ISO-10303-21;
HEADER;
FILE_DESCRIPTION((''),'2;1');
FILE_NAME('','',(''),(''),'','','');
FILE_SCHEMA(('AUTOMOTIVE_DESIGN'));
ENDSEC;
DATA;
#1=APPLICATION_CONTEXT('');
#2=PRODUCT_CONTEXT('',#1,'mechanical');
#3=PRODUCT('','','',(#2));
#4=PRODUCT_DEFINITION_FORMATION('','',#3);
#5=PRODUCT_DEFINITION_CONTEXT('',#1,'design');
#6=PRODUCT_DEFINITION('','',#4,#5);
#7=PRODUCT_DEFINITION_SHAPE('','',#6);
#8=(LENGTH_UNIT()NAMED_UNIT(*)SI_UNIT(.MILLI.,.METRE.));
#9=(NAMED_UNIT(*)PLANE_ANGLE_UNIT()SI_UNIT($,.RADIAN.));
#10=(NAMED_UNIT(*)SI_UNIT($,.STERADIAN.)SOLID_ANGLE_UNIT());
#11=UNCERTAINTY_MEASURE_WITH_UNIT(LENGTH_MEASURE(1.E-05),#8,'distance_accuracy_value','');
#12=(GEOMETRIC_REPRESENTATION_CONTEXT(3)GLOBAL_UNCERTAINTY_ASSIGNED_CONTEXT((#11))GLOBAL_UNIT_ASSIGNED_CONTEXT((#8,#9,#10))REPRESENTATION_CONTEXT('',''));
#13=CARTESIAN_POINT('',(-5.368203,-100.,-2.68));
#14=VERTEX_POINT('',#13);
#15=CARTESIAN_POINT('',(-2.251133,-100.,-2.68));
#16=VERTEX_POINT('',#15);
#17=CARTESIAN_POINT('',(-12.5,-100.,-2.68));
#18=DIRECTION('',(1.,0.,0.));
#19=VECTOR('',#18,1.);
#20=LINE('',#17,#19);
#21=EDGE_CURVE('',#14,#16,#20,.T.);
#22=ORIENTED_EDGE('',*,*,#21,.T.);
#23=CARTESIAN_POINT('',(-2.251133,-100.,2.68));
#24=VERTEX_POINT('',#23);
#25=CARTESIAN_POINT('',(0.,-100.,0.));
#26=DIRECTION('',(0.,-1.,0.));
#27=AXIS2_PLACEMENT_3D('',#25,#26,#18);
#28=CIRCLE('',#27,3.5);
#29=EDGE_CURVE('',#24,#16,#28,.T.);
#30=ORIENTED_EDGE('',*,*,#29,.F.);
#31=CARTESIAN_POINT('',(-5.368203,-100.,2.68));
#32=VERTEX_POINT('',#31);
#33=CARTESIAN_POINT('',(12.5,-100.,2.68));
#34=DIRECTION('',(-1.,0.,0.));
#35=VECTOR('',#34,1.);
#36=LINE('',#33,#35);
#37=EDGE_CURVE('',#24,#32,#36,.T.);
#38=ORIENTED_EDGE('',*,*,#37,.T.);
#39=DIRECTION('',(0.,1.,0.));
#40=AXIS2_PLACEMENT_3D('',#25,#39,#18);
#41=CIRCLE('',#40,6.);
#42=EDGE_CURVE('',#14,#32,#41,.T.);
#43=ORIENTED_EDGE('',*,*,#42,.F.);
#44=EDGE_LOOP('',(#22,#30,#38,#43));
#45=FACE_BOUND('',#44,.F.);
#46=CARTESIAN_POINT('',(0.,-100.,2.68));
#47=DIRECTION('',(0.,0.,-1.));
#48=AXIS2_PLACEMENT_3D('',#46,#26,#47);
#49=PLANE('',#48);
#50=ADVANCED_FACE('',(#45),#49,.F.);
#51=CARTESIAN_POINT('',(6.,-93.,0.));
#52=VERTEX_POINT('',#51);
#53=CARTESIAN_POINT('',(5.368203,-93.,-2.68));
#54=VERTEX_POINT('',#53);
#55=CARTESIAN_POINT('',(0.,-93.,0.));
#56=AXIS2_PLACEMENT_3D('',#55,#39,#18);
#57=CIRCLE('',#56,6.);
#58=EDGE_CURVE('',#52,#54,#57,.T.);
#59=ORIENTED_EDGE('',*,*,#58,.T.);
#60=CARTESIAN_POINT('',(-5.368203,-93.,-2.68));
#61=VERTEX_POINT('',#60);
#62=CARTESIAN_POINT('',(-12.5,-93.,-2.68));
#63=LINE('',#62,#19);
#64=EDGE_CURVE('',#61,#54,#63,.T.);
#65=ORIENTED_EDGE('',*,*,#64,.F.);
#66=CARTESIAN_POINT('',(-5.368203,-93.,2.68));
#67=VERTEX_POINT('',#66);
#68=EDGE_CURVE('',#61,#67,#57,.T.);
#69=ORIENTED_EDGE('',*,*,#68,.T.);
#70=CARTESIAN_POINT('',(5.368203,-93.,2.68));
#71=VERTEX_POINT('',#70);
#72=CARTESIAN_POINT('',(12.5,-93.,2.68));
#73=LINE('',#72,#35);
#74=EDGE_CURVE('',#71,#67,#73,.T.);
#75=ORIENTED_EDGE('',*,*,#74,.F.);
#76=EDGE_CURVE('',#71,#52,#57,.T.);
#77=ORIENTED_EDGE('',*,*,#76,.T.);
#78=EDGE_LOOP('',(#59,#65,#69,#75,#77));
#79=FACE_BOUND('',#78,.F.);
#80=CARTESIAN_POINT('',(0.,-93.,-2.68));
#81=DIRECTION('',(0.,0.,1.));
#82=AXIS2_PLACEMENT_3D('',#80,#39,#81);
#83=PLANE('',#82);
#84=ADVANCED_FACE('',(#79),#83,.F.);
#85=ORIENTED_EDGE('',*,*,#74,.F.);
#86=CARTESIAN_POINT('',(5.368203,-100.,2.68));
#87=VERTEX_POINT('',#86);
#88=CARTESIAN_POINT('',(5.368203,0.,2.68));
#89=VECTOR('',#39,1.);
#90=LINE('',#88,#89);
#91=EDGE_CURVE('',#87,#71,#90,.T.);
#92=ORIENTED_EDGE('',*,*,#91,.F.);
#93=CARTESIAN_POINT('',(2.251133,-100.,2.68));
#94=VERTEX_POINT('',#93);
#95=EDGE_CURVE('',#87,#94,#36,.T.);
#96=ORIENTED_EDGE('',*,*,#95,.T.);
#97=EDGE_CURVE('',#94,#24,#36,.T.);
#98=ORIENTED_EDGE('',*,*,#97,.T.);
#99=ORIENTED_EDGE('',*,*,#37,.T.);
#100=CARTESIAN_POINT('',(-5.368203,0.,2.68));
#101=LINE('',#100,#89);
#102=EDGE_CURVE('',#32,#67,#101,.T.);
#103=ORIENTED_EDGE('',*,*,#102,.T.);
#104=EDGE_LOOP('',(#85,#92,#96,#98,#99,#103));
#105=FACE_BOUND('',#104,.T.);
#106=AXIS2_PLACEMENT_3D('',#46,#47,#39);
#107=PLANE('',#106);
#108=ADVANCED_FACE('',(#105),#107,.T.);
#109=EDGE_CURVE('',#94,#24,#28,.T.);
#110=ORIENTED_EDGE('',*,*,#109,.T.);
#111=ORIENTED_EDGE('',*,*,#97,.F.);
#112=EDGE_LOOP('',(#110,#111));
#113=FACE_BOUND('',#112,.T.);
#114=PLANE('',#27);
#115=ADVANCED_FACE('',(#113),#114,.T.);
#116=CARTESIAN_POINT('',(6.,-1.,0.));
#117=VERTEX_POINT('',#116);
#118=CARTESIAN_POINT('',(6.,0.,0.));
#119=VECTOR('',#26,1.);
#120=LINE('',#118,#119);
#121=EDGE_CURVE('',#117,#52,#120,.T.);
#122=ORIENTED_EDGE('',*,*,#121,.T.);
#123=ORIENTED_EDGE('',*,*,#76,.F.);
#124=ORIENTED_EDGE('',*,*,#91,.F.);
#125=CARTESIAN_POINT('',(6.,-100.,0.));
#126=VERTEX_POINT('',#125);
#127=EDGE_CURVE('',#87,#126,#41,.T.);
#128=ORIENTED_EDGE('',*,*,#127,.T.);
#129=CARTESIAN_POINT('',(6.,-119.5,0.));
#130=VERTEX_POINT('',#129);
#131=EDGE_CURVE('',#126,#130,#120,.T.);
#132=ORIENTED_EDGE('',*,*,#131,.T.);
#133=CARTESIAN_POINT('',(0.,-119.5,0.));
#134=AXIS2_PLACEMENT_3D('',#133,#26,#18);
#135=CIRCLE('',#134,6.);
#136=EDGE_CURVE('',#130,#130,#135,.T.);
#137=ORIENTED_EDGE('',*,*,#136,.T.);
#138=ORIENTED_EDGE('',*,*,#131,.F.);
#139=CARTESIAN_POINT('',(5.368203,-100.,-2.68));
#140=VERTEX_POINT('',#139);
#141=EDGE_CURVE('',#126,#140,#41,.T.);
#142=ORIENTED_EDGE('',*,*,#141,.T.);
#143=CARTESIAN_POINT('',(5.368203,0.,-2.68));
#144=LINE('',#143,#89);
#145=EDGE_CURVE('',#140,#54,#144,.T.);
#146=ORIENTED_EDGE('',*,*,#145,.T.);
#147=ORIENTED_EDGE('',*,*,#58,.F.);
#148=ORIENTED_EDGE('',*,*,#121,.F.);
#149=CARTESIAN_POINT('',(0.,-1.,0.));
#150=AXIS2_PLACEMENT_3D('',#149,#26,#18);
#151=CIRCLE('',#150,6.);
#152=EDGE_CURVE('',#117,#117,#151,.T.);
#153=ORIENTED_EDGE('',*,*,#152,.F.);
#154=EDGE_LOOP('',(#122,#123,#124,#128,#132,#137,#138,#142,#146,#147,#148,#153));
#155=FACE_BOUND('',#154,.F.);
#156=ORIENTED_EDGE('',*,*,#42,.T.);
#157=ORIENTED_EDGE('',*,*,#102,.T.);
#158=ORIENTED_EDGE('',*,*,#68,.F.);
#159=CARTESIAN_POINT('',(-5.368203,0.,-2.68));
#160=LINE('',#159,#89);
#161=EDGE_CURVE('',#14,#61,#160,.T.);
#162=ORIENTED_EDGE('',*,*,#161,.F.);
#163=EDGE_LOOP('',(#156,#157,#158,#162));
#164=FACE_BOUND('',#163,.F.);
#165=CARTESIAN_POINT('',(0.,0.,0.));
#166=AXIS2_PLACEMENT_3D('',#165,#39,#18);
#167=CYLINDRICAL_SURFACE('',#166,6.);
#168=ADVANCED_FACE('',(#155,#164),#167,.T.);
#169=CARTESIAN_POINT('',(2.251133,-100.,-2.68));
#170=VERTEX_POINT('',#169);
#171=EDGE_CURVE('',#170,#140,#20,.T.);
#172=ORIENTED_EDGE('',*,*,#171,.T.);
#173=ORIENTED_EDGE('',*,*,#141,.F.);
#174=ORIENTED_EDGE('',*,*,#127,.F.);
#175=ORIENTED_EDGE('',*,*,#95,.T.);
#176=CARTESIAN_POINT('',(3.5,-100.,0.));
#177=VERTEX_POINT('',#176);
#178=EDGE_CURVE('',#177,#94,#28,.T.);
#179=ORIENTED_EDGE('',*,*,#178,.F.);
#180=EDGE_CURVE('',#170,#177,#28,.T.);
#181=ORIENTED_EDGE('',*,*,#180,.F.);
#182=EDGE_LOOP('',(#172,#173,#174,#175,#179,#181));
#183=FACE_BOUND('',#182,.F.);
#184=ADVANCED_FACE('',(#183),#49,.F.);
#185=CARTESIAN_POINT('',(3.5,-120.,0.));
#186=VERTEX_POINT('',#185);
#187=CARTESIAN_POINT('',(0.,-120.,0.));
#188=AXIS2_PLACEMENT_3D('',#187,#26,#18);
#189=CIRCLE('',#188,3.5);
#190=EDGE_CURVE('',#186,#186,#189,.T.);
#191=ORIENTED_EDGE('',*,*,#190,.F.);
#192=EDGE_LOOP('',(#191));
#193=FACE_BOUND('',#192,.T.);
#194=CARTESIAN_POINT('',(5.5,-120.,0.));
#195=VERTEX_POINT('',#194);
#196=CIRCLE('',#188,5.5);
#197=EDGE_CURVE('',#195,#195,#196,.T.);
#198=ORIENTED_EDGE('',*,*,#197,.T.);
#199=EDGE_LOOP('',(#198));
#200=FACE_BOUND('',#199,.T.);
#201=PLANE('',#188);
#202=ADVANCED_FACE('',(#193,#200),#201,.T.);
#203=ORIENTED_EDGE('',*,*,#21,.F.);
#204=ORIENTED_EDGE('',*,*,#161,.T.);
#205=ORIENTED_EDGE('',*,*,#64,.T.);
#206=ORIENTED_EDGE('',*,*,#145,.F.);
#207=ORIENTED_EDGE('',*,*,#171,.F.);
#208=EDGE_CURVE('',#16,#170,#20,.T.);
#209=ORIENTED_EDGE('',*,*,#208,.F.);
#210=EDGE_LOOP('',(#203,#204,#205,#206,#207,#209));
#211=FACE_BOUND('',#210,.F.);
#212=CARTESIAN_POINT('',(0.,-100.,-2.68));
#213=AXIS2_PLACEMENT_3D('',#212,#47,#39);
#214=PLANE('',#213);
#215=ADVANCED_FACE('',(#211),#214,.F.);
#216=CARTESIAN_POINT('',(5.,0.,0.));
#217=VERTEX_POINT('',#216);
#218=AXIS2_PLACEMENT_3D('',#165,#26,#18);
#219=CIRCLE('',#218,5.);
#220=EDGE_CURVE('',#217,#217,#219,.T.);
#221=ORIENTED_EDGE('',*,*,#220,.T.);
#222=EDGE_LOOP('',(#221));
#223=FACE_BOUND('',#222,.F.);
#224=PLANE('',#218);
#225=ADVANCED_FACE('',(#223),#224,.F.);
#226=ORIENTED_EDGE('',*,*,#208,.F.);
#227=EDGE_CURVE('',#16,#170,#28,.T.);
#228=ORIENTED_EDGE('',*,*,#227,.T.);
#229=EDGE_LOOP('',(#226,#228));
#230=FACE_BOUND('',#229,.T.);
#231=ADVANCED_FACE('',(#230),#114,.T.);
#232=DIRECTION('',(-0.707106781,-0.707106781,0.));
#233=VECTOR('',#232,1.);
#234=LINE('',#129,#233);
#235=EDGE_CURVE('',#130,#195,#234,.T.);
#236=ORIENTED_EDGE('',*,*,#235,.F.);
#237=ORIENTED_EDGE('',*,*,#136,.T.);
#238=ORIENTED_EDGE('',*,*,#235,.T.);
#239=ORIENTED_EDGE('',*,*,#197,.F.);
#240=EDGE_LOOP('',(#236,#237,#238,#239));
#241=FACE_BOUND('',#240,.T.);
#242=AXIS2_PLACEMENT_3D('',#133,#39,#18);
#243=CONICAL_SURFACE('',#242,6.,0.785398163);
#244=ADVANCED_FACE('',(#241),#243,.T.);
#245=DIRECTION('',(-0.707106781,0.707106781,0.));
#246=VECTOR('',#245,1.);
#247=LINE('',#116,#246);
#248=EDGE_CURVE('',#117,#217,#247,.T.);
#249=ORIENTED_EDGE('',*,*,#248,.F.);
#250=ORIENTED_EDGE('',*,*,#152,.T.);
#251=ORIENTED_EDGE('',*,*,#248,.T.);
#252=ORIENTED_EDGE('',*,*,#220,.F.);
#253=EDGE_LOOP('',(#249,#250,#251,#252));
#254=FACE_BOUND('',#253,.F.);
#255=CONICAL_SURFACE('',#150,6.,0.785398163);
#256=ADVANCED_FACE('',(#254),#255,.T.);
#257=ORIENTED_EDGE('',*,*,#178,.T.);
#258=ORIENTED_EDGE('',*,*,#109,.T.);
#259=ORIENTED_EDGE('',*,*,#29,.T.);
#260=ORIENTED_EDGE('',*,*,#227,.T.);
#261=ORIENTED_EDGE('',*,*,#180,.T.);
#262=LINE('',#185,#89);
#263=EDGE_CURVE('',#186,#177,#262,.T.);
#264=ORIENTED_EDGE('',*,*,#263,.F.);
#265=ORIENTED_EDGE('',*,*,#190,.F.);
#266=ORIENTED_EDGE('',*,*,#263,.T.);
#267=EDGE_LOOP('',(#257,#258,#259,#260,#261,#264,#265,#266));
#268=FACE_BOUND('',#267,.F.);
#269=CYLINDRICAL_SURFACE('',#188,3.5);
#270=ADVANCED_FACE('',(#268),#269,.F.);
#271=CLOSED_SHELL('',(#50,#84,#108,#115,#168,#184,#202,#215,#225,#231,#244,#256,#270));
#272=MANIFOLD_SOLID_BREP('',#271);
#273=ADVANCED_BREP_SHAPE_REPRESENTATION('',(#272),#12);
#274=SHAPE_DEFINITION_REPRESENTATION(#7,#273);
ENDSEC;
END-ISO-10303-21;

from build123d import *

# Parameters (mm, degrees)
F0_R     = 6
F1_DEPTH = 120
F2_R     = 3.5
F3_DEPTH = 20
F5_SIZE  = 1
F6_SIZE  = 0.5
F7_W     = 7
F7_H     = 2.68
F8_DEPTH = 12.5


with BuildPart() as f1:
    # F0 (on Front) → F1 (new body)
    with BuildSketch(Plane.XZ):
        Circle(F0_R)
    extrude(amount=F1_DEPTH)

    # F2 (on face) → F3 (cut)
    with BuildSketch(Plane.XZ.offset(120)):
        Circle(F2_R)
    extrude(amount=-F3_DEPTH, mode=Mode.SUBTRACT)

    # F5
    f5_edges = [f1.edges().sort_by_distance(p)[0] for p in [
        (-6, 0, 0),
    ]]
    chamfer(f5_edges, length=F5_SIZE)

    # F6
    f6_edges = [f1.edges().sort_by_distance(p)[0] for p in [
        (-6, -120, 0),
    ]]
    chamfer(f6_edges, length=F6_SIZE)

    # F7 (on Right) → F8 (cut, symmetric)
    with BuildSketch(Plane.YZ):
        with Locations((-96.5, 1.34)):
            Rectangle(F7_W, F7_H)
        with Locations((-96.5, -1.34)):
            Rectangle(F7_W, F7_H)
    extrude(amount=F8_DEPTH, both=True, mode=Mode.SUBTRACT)


solid = f1.part
